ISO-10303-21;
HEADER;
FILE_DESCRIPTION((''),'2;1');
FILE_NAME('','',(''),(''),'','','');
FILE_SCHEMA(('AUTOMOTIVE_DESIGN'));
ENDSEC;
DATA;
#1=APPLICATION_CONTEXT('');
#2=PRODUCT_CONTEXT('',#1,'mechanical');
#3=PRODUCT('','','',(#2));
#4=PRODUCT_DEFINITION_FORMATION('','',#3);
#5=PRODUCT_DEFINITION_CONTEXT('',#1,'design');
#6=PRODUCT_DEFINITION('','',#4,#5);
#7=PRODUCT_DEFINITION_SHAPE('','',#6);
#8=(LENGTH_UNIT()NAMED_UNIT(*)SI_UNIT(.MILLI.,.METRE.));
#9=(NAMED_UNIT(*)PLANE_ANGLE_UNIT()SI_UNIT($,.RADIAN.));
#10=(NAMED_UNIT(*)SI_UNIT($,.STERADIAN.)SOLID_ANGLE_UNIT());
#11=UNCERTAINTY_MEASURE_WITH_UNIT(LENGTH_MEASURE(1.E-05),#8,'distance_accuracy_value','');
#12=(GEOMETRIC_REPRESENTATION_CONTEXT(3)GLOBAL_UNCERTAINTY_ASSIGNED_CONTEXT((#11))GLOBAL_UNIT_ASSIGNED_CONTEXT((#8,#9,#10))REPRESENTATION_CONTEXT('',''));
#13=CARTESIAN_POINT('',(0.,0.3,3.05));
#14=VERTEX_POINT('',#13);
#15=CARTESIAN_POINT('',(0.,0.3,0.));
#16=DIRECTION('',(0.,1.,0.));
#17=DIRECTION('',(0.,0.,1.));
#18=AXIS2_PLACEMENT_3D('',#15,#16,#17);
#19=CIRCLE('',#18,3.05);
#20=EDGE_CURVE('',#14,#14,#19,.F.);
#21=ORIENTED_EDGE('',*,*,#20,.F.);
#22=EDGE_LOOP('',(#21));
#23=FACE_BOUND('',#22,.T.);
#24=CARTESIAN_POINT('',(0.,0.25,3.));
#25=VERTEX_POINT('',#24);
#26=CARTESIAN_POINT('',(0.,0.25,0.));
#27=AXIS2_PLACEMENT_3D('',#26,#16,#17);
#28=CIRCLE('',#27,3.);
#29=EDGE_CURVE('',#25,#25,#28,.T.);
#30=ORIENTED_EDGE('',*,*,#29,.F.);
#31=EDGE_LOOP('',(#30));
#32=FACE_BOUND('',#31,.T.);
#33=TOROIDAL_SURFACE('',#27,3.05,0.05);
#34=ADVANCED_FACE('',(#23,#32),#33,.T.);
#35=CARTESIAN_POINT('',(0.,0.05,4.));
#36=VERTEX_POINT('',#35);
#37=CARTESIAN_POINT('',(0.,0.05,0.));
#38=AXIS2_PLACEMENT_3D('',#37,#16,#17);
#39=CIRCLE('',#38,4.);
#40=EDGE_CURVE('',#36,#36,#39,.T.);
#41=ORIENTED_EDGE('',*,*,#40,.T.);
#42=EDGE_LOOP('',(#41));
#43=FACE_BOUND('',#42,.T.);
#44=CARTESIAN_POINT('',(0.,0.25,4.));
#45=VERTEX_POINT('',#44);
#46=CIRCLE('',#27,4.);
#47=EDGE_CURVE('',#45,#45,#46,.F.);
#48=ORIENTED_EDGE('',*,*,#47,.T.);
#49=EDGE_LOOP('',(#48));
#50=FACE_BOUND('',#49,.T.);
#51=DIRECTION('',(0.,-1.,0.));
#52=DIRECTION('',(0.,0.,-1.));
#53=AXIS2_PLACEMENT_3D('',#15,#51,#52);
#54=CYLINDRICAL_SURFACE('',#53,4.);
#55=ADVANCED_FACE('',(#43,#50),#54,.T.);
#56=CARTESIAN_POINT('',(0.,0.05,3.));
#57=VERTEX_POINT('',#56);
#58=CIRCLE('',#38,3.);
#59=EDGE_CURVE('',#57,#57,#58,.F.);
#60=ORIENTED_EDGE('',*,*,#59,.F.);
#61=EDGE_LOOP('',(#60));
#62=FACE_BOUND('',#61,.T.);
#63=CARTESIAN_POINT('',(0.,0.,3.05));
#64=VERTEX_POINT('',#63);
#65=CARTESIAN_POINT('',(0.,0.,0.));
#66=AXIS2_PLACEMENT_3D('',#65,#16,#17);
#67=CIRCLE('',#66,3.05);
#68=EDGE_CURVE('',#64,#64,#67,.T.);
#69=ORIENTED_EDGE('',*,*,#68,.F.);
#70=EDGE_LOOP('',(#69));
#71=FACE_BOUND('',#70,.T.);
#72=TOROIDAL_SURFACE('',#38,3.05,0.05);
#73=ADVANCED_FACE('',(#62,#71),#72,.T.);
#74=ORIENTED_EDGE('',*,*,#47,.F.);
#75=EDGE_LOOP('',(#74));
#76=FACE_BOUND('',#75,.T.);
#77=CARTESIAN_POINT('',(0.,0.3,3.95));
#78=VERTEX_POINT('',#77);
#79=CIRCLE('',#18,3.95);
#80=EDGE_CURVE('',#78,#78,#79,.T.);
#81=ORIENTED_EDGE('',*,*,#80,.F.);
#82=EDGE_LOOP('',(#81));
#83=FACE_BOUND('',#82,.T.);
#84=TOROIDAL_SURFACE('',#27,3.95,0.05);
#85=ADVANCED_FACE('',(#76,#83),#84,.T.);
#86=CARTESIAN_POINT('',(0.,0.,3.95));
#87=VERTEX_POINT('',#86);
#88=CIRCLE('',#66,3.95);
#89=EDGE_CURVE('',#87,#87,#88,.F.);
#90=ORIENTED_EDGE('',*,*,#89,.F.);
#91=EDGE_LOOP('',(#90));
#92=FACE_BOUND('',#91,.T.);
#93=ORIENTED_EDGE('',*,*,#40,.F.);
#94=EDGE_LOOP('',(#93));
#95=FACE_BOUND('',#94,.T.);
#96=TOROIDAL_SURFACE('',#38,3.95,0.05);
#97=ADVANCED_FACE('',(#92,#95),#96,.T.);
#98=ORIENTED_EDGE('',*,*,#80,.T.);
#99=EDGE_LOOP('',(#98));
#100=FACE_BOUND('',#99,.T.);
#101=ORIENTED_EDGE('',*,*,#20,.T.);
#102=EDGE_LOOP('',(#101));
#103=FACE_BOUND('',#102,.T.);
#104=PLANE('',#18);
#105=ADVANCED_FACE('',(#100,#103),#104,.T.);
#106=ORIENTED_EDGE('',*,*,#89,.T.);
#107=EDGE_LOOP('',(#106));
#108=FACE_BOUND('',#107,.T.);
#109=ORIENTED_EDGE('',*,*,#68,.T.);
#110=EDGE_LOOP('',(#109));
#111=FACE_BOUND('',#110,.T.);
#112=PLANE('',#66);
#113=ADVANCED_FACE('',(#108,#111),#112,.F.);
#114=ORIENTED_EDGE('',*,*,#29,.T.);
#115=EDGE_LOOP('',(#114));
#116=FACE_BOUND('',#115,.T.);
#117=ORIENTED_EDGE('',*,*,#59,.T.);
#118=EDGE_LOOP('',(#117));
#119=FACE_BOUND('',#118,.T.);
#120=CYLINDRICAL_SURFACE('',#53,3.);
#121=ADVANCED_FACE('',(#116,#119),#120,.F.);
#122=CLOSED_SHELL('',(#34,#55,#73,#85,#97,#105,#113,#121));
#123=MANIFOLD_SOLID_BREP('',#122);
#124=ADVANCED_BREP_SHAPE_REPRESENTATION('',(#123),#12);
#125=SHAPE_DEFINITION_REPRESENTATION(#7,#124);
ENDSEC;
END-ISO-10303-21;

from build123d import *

# Parameters (mm, degrees)
SKETCH_1_R      = 4
SKETCH_1_R_2    = 3
EXTRUDE_1_DEPTH = 0.3
FILLET_2_R      = 0.05


with BuildPart() as part:
    # 草图1 → 凸台-拉伸1 (new body)
    with BuildSketch(Plane(origin=(0, 0, 0), x_dir=(1, 0, 0), z_dir=(0, 1, 0))):
        with Locations(Location((0, 0, 0), (0, 0, 270))):
            Circle(SKETCH_1_R)
        with Locations(Location((0, 0, 0), (0, 0, 270))):
            Circle(SKETCH_1_R_2, mode=Mode.SUBTRACT)
    extrude(amount=EXTRUDE_1_DEPTH)

    # 圆角2
    fillet_2_edges = [part.edges().sort_by_distance(p)[0] for p in [
        (0, 0, -4),
        (0, 0.3, -4),
        (0, 0, -3),
        (0, 0.3, -3),
    ]]
    fillet(fillet_2_edges, radius=FILLET_2_R)


solid = part.part
